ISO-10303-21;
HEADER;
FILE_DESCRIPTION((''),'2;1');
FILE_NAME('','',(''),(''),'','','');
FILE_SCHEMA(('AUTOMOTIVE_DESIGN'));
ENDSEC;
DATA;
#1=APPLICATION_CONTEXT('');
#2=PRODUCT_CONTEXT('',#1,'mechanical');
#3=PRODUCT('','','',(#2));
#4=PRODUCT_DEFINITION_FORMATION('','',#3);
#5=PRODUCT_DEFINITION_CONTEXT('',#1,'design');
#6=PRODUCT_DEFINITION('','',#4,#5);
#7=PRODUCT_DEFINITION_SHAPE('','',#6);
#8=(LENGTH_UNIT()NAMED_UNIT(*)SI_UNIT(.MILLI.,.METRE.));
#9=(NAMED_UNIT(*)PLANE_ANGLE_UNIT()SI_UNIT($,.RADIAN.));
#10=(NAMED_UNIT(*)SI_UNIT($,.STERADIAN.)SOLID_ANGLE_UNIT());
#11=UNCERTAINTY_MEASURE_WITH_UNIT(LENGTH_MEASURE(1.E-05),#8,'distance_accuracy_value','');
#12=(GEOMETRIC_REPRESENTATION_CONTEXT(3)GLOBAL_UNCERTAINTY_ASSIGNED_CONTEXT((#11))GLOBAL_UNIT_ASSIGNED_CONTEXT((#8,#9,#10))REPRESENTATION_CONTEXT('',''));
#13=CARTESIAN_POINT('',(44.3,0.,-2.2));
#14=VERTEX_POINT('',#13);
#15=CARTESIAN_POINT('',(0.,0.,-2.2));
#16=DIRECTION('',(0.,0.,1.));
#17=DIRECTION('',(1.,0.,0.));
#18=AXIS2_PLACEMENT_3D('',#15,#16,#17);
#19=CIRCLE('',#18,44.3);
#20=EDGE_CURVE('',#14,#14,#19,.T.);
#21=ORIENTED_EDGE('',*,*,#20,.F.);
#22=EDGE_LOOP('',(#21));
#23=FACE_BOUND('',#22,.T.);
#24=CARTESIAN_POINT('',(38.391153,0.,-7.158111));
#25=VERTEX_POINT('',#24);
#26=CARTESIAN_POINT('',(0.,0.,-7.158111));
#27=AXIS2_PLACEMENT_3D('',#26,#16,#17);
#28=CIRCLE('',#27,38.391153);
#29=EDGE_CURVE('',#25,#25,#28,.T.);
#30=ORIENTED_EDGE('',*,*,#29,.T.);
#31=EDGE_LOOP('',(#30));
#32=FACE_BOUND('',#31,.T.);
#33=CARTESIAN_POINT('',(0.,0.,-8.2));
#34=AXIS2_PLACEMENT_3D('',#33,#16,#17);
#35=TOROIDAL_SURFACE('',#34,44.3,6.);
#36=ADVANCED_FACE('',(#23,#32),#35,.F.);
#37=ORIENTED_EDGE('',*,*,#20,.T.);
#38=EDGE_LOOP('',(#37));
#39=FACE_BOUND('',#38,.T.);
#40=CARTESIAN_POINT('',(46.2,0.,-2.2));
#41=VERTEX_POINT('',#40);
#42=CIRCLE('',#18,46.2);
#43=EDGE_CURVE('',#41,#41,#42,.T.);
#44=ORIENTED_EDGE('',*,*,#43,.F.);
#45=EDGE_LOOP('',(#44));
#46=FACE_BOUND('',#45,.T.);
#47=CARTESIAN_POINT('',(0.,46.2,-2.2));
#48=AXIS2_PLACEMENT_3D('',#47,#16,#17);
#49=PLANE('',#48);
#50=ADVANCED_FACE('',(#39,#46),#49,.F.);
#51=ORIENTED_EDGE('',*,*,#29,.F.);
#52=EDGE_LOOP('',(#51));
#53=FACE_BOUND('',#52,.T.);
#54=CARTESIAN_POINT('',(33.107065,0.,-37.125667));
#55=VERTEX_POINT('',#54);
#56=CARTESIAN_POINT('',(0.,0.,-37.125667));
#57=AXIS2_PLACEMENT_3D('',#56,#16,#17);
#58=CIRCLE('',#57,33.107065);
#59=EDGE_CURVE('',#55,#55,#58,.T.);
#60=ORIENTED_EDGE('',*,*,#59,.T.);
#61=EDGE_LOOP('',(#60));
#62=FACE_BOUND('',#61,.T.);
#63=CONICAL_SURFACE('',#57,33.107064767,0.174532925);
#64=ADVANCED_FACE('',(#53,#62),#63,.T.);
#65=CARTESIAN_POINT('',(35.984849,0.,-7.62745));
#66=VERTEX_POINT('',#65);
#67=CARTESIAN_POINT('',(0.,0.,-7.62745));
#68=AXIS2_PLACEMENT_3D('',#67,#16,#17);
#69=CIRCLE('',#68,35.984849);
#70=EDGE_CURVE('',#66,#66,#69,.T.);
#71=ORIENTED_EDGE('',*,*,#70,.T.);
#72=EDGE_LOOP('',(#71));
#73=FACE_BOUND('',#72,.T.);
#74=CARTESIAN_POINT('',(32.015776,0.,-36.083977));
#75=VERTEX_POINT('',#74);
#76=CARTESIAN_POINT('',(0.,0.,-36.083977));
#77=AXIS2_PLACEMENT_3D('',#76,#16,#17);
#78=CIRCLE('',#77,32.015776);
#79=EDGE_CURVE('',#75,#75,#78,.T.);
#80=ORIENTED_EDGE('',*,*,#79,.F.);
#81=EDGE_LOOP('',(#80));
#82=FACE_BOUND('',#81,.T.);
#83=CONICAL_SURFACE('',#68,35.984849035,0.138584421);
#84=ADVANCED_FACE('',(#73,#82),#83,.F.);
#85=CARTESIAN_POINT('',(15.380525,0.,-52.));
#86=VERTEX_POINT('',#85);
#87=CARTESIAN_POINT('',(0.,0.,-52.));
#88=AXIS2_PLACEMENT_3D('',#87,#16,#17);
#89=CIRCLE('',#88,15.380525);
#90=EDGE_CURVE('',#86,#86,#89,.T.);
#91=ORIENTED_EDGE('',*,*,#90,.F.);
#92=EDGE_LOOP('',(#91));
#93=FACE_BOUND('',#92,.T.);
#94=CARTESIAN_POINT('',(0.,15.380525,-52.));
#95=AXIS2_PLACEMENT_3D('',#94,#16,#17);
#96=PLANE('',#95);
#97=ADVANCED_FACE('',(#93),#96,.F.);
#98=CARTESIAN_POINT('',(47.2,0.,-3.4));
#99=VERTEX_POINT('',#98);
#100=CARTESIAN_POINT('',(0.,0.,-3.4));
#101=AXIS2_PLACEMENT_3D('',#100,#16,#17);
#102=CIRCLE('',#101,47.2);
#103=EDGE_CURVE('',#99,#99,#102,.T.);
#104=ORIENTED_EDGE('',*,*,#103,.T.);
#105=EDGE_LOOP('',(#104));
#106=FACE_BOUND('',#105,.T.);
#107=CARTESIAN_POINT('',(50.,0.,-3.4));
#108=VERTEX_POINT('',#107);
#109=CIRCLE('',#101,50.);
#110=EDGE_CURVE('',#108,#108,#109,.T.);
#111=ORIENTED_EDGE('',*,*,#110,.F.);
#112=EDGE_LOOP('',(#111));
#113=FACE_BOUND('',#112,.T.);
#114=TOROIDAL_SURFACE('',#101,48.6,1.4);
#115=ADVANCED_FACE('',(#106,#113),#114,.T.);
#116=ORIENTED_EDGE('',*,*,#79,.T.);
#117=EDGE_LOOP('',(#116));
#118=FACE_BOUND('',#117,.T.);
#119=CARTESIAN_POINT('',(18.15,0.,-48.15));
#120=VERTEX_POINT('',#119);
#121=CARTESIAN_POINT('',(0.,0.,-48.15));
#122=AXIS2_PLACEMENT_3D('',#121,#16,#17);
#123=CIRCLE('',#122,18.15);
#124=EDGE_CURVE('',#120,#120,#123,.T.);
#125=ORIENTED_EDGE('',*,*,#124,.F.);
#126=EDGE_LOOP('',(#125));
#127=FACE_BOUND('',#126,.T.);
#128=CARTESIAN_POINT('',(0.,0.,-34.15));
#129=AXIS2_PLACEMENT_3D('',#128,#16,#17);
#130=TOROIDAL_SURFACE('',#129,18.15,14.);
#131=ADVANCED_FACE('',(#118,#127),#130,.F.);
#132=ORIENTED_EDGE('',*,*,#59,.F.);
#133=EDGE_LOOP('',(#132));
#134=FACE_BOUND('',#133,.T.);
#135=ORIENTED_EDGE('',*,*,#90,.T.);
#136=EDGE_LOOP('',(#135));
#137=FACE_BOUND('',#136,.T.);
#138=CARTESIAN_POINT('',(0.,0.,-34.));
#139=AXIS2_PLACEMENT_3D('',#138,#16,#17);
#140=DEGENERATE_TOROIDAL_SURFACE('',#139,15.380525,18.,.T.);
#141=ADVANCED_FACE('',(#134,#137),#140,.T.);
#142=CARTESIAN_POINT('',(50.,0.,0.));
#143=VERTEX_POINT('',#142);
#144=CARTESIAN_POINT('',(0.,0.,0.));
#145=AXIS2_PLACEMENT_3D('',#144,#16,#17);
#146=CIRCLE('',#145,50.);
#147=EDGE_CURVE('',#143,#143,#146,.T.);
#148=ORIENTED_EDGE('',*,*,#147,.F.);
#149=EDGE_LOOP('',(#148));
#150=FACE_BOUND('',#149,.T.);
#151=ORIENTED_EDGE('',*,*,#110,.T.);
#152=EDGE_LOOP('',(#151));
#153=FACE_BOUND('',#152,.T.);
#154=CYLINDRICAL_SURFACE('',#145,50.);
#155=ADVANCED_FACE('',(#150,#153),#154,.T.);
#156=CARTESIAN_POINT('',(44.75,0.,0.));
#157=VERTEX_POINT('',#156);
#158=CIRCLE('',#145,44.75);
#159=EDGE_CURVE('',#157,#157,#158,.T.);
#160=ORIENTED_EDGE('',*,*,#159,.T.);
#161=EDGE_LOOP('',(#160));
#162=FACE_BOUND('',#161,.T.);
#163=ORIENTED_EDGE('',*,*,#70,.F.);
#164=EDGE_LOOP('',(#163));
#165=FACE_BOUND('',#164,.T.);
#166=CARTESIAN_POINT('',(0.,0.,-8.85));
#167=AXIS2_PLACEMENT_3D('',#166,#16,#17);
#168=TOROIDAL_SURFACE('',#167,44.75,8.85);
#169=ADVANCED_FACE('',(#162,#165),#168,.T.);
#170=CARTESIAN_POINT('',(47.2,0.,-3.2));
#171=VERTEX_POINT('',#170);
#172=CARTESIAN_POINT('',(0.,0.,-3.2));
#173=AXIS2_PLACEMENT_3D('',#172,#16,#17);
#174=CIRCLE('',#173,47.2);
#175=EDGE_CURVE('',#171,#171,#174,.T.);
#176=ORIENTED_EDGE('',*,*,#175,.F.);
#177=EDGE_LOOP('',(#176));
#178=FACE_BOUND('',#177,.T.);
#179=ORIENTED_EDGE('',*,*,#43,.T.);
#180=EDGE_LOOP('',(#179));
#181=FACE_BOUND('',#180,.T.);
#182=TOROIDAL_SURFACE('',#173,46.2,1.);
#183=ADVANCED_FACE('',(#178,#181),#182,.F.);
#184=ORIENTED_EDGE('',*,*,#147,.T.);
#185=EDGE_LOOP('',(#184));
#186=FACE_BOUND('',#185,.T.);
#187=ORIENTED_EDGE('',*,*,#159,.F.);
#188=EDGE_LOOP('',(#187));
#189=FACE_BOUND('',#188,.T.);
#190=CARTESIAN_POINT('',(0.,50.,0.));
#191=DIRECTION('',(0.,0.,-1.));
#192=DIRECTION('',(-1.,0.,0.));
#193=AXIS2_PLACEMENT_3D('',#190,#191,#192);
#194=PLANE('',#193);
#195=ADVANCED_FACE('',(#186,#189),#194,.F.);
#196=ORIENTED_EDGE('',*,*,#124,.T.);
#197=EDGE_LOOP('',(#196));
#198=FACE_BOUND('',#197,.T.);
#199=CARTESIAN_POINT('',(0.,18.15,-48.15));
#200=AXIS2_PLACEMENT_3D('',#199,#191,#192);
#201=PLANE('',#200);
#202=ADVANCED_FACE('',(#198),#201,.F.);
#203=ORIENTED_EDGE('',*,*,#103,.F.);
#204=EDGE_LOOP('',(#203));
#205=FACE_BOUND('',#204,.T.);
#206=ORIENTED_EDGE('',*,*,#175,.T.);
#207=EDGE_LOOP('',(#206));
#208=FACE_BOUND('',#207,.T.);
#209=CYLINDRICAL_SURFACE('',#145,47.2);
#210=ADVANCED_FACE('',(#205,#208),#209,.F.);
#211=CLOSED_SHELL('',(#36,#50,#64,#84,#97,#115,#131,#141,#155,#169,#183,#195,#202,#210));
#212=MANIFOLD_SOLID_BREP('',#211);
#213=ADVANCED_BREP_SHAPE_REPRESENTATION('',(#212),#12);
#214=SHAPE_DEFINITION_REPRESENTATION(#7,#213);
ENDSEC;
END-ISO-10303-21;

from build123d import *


with BuildPart() as part:
    # Sketch1 → Revolve1 (revolve)
    with BuildSketch(Plane(origin=(0, 0, 0), x_dir=(0, 0, -1), z_dir=(1, 0, 0)), mode=Mode.PRIVATE) as revolve1_sk:
        with BuildLine():
            Line((0, 50), (3.4, 50))
            ThreePointArc((3.4, 50), (4.8, 48.6), (3.4, 47.2))
            Line((3.4, 47.2), (3.2, 47.2))
            ThreePointArc((3.2, 47.2), (2.492893219, 46.907106781), (2.2, 46.2))
            Line((2.2, 46.2), (2.2, 44.3))
            ThreePointArc((2.2, 44.3), (3.603733341, 40.443274342), (7.158110934, 38.391153482))
            Line((7.158110934, 38.391153482), (37.125667198, 33.107064767))
            ThreePointArc((37.125667198, 33.107064767), (47.788799976, 26.950702187), (52, 15.380525212))
            Line((52, 15.380525212), (52, 0))
            Line((52, 0), (48.15, 0))
            Line((48.15, 0), (48.15, 18.15))
            ThreePointArc((48.15, 18.15), (44.711147764, 27.340329586), (36.083977442, 32.015775537))
            Line((36.083977442, 32.015775537), (7.627449974, 35.984849035))
            ThreePointArc((7.627449974, 35.984849035), (2.173845878, 38.940398797), (0, 44.75))
            Line((0, 44.75), (0, 50))
        make_face()
    revolve(revolve1_sk.sketch.rotate(Axis((0, 0, 0), (0, 0, -1)), 90), axis=Axis((0, 0, 0), (0, 0, -1)))


solid = part.part
